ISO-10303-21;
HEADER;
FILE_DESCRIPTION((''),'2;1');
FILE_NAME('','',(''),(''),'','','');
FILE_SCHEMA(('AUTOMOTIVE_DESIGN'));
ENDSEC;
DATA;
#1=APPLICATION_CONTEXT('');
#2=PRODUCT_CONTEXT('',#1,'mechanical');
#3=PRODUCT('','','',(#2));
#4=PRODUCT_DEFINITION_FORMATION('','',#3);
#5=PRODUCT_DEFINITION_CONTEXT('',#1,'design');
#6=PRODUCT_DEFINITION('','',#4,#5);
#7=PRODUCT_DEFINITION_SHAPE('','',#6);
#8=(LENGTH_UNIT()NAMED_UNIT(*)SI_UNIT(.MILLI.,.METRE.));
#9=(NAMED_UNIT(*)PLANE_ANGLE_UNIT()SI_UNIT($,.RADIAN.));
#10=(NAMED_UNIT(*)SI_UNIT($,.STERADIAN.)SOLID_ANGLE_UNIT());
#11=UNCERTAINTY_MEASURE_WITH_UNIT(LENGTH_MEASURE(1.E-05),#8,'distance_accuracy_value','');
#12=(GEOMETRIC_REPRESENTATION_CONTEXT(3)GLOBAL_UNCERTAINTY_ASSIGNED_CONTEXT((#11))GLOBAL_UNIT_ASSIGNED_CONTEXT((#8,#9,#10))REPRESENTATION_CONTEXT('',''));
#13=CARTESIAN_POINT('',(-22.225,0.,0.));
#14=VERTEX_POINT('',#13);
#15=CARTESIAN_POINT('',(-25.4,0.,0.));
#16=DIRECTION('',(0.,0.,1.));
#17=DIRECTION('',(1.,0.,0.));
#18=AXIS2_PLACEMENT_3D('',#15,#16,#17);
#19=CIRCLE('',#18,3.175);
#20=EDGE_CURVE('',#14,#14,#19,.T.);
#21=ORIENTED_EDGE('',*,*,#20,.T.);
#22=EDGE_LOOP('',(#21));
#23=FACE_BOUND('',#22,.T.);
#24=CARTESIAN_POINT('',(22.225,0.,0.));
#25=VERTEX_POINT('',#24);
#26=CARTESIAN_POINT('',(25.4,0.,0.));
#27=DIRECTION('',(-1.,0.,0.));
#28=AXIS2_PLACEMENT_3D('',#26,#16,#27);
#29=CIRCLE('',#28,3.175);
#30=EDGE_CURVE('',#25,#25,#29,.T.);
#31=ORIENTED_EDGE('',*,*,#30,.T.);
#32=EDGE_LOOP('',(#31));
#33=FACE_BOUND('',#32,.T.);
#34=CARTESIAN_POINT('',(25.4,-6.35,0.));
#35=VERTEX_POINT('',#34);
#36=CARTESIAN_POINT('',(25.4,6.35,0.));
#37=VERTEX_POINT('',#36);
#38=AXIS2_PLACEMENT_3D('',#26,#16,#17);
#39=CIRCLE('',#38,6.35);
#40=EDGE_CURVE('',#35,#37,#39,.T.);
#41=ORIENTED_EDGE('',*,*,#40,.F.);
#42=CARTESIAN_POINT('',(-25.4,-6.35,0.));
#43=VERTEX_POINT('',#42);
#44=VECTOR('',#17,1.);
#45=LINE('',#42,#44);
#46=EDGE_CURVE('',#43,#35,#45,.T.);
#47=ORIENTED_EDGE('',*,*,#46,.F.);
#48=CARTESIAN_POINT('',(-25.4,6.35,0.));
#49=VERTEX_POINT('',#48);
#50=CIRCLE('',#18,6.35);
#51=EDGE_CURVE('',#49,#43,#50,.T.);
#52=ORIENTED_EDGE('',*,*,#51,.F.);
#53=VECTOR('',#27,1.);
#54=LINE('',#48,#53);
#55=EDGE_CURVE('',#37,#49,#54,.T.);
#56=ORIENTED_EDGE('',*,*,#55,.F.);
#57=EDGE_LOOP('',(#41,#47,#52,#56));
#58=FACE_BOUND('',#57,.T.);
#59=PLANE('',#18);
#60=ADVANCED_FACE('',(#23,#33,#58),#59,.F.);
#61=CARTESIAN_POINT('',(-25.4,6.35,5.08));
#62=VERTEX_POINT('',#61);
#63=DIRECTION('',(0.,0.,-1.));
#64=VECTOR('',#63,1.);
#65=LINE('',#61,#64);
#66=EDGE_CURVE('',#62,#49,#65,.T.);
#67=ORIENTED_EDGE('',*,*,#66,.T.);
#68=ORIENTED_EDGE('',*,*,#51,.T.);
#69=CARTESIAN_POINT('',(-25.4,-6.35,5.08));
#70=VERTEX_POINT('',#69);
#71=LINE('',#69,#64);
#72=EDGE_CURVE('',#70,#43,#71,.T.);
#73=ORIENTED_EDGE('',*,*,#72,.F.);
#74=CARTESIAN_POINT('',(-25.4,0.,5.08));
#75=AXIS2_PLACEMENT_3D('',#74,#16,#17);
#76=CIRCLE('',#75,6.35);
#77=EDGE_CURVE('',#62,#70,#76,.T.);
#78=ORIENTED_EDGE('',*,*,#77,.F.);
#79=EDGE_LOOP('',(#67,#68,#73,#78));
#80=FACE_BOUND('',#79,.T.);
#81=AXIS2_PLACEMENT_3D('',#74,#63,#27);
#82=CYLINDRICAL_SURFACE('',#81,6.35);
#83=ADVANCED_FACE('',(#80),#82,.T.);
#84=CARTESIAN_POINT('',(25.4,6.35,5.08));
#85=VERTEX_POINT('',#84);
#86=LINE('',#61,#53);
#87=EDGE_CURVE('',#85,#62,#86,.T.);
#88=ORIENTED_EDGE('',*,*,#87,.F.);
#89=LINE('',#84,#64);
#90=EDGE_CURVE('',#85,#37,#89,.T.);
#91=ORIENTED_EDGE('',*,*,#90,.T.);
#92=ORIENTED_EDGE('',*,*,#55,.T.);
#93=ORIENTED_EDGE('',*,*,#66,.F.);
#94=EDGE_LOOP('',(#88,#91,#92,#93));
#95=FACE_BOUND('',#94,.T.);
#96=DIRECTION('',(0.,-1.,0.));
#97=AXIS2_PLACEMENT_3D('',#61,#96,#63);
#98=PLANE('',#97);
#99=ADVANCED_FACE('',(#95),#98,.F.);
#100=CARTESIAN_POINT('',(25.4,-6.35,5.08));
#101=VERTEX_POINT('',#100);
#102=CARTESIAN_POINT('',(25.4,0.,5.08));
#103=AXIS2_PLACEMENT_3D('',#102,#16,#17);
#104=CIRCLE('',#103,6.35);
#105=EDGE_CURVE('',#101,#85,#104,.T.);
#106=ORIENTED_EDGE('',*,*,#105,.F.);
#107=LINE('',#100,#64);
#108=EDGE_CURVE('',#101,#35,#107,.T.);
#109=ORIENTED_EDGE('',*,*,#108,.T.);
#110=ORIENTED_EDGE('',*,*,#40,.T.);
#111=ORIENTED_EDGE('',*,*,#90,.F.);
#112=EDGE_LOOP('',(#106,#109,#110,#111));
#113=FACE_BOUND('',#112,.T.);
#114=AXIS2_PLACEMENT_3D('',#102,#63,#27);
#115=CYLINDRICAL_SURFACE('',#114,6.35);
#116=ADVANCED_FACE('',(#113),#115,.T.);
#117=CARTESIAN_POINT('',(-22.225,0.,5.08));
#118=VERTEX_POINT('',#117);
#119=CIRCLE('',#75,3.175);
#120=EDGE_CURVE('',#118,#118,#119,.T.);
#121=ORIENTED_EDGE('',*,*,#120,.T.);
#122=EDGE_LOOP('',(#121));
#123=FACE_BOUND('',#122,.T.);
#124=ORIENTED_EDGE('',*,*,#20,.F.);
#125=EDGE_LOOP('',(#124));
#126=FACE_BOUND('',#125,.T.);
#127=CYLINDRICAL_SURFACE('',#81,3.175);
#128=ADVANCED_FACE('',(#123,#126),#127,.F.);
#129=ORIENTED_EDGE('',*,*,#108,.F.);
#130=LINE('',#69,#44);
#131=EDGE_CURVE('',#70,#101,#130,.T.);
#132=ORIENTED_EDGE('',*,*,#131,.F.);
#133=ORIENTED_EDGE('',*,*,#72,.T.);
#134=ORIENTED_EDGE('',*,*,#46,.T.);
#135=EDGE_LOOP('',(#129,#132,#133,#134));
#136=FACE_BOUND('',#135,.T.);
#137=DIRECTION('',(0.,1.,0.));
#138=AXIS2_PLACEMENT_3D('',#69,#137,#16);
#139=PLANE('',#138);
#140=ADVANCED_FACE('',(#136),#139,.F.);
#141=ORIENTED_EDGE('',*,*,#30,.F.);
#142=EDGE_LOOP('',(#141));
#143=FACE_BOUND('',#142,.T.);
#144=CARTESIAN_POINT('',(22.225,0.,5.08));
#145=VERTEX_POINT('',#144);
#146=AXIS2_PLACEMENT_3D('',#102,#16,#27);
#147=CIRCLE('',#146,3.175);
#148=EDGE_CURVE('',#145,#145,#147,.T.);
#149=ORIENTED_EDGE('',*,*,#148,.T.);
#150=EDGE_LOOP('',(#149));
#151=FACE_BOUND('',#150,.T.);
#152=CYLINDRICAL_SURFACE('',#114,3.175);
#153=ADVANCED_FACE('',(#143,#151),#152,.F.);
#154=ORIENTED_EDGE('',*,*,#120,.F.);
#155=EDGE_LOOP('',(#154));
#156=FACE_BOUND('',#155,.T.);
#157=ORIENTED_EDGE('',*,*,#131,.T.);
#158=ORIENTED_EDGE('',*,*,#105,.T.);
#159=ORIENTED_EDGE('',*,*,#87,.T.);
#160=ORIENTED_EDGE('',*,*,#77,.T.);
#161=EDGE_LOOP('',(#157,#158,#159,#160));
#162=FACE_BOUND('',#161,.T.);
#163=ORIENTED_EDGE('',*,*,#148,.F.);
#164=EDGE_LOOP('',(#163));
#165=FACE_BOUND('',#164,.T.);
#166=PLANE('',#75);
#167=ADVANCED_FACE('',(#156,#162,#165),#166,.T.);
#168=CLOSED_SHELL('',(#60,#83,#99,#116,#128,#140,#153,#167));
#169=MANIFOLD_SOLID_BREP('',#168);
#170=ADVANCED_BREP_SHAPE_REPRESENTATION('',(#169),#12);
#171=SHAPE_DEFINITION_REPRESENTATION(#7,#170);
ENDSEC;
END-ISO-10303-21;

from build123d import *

# Parameters (mm, degrees)
SKETCH1_R           = 3.175
BOSS_EXTRUDE1_DEPTH = 5.08


with BuildPart() as part:
    # Sketch1 → Boss-Extrude1 (new body)
    with BuildSketch(Plane.XY):
        with BuildLine():
            Line((-25.4, 6.35), (25.4, 6.35))
            ThreePointArc((25.4, 6.35), (31.75, 0), (25.4, -6.35))
            Line((25.4, -6.35), (-25.4, -6.35))
            ThreePointArc((-25.4, -6.35), (-31.75, 0), (-25.4, 6.35))
        make_face()
        with Locations((-25.4, 0)):
            Circle(SKETCH1_R, mode=Mode.SUBTRACT)
        with Locations((25.4, 0)):
            Circle(SKETCH1_R, mode=Mode.SUBTRACT)
    extrude(amount=BOSS_EXTRUDE1_DEPTH)


solid = part.part
